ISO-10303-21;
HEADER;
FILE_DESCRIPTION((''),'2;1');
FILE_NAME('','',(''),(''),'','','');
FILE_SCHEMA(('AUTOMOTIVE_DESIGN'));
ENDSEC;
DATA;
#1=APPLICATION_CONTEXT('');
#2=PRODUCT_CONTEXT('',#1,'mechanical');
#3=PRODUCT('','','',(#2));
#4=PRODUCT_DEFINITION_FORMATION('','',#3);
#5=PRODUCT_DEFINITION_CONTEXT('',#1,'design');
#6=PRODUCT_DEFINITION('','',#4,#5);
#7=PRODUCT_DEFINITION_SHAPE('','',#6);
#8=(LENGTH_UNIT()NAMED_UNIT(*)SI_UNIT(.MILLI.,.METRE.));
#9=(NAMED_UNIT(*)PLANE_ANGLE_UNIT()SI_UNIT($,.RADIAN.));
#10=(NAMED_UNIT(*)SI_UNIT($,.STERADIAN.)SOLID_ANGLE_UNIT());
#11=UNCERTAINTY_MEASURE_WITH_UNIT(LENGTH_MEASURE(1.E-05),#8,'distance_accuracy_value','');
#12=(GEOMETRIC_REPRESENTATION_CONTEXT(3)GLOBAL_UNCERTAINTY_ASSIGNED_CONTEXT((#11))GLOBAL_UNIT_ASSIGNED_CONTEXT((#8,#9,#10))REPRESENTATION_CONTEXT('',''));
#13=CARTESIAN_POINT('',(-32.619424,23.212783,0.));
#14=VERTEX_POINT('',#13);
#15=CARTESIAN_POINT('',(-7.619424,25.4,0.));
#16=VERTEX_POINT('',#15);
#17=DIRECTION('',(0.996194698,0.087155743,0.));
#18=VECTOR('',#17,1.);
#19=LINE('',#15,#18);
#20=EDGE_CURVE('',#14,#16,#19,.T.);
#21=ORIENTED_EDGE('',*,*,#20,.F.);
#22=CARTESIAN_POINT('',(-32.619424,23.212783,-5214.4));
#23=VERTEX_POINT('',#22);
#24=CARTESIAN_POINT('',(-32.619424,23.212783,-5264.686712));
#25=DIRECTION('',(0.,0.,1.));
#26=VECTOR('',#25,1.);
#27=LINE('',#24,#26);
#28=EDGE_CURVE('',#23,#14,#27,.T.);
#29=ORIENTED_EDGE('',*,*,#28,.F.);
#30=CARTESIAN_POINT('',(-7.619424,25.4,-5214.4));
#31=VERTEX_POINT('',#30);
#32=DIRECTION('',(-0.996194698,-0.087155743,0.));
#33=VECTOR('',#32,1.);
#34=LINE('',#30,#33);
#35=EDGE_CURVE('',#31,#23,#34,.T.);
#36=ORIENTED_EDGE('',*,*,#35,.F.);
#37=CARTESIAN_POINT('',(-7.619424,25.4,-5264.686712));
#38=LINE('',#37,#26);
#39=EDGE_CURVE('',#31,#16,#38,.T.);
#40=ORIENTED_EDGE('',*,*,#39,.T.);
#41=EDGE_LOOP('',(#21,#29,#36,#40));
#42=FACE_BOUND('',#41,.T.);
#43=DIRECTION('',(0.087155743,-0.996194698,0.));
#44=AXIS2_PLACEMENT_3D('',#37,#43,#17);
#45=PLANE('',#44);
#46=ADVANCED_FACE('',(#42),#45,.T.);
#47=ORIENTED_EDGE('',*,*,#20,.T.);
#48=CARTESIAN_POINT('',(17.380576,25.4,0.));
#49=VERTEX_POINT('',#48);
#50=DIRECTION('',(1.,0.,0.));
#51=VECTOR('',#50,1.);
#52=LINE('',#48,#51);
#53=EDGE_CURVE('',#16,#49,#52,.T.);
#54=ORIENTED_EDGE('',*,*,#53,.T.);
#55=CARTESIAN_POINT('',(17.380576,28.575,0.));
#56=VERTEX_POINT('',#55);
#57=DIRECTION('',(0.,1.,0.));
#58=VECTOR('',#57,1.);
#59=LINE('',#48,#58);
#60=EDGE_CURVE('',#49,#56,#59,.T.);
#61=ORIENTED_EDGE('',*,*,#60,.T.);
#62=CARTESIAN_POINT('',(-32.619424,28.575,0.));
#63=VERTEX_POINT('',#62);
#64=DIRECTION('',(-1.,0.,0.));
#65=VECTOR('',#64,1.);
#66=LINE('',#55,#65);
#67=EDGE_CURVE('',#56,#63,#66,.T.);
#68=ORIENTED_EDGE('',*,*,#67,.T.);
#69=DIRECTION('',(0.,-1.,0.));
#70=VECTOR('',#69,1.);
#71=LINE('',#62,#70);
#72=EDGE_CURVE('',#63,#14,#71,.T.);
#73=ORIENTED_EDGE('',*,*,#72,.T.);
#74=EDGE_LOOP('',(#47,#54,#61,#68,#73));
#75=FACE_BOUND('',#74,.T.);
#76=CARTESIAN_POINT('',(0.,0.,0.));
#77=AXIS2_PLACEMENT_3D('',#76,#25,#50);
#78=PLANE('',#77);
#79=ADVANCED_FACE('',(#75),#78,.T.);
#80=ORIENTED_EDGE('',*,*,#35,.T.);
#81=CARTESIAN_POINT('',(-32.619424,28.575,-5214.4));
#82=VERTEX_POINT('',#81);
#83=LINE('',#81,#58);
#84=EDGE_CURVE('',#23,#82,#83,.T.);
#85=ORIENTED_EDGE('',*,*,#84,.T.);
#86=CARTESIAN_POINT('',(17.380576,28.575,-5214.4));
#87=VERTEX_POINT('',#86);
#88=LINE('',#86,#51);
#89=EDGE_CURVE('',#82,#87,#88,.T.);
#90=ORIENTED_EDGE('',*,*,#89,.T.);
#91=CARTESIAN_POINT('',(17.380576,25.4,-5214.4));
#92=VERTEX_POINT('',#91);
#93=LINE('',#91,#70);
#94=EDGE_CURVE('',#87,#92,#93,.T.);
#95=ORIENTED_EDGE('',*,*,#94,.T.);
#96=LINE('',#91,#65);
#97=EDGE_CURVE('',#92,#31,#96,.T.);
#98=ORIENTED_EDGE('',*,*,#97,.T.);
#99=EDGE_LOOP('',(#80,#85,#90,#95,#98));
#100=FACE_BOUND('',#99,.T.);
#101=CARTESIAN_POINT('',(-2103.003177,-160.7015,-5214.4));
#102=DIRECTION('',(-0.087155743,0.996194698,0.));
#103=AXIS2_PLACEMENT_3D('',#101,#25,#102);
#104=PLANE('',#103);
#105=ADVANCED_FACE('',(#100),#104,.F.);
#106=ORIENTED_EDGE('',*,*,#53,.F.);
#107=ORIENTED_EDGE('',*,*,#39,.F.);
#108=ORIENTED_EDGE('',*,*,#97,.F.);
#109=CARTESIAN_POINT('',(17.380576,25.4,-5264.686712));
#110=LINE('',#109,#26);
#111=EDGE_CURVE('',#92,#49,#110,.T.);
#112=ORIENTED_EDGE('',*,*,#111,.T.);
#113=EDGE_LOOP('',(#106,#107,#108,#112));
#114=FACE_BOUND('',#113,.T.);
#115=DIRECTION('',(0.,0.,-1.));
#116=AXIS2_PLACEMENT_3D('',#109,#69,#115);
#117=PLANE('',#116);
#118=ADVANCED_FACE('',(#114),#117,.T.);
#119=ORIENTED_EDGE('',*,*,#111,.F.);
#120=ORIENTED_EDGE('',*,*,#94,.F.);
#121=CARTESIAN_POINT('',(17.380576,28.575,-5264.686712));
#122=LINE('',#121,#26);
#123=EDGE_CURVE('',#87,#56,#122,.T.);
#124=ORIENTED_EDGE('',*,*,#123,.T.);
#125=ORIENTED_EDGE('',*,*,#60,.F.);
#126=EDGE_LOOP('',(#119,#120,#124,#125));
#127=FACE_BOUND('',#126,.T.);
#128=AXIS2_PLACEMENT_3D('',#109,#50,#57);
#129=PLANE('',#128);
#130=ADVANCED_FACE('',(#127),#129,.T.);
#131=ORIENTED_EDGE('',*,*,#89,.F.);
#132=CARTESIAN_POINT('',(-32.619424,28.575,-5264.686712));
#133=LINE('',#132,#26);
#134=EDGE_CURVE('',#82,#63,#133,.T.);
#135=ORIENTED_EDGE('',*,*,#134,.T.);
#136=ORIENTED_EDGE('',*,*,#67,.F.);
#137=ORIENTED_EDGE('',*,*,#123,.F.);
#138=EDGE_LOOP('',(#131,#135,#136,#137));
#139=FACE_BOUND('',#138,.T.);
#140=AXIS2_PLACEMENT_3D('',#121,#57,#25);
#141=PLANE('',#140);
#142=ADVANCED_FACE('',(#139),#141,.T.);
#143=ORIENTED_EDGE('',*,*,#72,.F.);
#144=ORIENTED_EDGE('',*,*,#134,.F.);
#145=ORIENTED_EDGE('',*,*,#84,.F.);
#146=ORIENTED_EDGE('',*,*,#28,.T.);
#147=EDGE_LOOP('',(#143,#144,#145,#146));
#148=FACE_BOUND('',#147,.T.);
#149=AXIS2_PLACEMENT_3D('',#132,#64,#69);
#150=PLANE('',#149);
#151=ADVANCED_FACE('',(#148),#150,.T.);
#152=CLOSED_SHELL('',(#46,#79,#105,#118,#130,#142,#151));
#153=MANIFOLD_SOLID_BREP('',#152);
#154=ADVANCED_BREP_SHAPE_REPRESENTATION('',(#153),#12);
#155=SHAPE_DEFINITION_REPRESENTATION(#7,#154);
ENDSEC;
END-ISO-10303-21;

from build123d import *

# Parameters (mm, degrees)
BOSS_EXTRUDE1_DEPTH = 5214.4


with BuildPart() as part:
    # Sketch2 → Boss-Extrude1 (new body)
    with BuildSketch(Plane.XY):
        Polygon((-7.619424107, 25.4), (-32.619424107, 23.212783412), (-32.619424107, 28.575), (17.380575893, 28.575), (17.380575893, 25.4), align=None)
    extrude(amount=-BOSS_EXTRUDE1_DEPTH)


solid = part.part
